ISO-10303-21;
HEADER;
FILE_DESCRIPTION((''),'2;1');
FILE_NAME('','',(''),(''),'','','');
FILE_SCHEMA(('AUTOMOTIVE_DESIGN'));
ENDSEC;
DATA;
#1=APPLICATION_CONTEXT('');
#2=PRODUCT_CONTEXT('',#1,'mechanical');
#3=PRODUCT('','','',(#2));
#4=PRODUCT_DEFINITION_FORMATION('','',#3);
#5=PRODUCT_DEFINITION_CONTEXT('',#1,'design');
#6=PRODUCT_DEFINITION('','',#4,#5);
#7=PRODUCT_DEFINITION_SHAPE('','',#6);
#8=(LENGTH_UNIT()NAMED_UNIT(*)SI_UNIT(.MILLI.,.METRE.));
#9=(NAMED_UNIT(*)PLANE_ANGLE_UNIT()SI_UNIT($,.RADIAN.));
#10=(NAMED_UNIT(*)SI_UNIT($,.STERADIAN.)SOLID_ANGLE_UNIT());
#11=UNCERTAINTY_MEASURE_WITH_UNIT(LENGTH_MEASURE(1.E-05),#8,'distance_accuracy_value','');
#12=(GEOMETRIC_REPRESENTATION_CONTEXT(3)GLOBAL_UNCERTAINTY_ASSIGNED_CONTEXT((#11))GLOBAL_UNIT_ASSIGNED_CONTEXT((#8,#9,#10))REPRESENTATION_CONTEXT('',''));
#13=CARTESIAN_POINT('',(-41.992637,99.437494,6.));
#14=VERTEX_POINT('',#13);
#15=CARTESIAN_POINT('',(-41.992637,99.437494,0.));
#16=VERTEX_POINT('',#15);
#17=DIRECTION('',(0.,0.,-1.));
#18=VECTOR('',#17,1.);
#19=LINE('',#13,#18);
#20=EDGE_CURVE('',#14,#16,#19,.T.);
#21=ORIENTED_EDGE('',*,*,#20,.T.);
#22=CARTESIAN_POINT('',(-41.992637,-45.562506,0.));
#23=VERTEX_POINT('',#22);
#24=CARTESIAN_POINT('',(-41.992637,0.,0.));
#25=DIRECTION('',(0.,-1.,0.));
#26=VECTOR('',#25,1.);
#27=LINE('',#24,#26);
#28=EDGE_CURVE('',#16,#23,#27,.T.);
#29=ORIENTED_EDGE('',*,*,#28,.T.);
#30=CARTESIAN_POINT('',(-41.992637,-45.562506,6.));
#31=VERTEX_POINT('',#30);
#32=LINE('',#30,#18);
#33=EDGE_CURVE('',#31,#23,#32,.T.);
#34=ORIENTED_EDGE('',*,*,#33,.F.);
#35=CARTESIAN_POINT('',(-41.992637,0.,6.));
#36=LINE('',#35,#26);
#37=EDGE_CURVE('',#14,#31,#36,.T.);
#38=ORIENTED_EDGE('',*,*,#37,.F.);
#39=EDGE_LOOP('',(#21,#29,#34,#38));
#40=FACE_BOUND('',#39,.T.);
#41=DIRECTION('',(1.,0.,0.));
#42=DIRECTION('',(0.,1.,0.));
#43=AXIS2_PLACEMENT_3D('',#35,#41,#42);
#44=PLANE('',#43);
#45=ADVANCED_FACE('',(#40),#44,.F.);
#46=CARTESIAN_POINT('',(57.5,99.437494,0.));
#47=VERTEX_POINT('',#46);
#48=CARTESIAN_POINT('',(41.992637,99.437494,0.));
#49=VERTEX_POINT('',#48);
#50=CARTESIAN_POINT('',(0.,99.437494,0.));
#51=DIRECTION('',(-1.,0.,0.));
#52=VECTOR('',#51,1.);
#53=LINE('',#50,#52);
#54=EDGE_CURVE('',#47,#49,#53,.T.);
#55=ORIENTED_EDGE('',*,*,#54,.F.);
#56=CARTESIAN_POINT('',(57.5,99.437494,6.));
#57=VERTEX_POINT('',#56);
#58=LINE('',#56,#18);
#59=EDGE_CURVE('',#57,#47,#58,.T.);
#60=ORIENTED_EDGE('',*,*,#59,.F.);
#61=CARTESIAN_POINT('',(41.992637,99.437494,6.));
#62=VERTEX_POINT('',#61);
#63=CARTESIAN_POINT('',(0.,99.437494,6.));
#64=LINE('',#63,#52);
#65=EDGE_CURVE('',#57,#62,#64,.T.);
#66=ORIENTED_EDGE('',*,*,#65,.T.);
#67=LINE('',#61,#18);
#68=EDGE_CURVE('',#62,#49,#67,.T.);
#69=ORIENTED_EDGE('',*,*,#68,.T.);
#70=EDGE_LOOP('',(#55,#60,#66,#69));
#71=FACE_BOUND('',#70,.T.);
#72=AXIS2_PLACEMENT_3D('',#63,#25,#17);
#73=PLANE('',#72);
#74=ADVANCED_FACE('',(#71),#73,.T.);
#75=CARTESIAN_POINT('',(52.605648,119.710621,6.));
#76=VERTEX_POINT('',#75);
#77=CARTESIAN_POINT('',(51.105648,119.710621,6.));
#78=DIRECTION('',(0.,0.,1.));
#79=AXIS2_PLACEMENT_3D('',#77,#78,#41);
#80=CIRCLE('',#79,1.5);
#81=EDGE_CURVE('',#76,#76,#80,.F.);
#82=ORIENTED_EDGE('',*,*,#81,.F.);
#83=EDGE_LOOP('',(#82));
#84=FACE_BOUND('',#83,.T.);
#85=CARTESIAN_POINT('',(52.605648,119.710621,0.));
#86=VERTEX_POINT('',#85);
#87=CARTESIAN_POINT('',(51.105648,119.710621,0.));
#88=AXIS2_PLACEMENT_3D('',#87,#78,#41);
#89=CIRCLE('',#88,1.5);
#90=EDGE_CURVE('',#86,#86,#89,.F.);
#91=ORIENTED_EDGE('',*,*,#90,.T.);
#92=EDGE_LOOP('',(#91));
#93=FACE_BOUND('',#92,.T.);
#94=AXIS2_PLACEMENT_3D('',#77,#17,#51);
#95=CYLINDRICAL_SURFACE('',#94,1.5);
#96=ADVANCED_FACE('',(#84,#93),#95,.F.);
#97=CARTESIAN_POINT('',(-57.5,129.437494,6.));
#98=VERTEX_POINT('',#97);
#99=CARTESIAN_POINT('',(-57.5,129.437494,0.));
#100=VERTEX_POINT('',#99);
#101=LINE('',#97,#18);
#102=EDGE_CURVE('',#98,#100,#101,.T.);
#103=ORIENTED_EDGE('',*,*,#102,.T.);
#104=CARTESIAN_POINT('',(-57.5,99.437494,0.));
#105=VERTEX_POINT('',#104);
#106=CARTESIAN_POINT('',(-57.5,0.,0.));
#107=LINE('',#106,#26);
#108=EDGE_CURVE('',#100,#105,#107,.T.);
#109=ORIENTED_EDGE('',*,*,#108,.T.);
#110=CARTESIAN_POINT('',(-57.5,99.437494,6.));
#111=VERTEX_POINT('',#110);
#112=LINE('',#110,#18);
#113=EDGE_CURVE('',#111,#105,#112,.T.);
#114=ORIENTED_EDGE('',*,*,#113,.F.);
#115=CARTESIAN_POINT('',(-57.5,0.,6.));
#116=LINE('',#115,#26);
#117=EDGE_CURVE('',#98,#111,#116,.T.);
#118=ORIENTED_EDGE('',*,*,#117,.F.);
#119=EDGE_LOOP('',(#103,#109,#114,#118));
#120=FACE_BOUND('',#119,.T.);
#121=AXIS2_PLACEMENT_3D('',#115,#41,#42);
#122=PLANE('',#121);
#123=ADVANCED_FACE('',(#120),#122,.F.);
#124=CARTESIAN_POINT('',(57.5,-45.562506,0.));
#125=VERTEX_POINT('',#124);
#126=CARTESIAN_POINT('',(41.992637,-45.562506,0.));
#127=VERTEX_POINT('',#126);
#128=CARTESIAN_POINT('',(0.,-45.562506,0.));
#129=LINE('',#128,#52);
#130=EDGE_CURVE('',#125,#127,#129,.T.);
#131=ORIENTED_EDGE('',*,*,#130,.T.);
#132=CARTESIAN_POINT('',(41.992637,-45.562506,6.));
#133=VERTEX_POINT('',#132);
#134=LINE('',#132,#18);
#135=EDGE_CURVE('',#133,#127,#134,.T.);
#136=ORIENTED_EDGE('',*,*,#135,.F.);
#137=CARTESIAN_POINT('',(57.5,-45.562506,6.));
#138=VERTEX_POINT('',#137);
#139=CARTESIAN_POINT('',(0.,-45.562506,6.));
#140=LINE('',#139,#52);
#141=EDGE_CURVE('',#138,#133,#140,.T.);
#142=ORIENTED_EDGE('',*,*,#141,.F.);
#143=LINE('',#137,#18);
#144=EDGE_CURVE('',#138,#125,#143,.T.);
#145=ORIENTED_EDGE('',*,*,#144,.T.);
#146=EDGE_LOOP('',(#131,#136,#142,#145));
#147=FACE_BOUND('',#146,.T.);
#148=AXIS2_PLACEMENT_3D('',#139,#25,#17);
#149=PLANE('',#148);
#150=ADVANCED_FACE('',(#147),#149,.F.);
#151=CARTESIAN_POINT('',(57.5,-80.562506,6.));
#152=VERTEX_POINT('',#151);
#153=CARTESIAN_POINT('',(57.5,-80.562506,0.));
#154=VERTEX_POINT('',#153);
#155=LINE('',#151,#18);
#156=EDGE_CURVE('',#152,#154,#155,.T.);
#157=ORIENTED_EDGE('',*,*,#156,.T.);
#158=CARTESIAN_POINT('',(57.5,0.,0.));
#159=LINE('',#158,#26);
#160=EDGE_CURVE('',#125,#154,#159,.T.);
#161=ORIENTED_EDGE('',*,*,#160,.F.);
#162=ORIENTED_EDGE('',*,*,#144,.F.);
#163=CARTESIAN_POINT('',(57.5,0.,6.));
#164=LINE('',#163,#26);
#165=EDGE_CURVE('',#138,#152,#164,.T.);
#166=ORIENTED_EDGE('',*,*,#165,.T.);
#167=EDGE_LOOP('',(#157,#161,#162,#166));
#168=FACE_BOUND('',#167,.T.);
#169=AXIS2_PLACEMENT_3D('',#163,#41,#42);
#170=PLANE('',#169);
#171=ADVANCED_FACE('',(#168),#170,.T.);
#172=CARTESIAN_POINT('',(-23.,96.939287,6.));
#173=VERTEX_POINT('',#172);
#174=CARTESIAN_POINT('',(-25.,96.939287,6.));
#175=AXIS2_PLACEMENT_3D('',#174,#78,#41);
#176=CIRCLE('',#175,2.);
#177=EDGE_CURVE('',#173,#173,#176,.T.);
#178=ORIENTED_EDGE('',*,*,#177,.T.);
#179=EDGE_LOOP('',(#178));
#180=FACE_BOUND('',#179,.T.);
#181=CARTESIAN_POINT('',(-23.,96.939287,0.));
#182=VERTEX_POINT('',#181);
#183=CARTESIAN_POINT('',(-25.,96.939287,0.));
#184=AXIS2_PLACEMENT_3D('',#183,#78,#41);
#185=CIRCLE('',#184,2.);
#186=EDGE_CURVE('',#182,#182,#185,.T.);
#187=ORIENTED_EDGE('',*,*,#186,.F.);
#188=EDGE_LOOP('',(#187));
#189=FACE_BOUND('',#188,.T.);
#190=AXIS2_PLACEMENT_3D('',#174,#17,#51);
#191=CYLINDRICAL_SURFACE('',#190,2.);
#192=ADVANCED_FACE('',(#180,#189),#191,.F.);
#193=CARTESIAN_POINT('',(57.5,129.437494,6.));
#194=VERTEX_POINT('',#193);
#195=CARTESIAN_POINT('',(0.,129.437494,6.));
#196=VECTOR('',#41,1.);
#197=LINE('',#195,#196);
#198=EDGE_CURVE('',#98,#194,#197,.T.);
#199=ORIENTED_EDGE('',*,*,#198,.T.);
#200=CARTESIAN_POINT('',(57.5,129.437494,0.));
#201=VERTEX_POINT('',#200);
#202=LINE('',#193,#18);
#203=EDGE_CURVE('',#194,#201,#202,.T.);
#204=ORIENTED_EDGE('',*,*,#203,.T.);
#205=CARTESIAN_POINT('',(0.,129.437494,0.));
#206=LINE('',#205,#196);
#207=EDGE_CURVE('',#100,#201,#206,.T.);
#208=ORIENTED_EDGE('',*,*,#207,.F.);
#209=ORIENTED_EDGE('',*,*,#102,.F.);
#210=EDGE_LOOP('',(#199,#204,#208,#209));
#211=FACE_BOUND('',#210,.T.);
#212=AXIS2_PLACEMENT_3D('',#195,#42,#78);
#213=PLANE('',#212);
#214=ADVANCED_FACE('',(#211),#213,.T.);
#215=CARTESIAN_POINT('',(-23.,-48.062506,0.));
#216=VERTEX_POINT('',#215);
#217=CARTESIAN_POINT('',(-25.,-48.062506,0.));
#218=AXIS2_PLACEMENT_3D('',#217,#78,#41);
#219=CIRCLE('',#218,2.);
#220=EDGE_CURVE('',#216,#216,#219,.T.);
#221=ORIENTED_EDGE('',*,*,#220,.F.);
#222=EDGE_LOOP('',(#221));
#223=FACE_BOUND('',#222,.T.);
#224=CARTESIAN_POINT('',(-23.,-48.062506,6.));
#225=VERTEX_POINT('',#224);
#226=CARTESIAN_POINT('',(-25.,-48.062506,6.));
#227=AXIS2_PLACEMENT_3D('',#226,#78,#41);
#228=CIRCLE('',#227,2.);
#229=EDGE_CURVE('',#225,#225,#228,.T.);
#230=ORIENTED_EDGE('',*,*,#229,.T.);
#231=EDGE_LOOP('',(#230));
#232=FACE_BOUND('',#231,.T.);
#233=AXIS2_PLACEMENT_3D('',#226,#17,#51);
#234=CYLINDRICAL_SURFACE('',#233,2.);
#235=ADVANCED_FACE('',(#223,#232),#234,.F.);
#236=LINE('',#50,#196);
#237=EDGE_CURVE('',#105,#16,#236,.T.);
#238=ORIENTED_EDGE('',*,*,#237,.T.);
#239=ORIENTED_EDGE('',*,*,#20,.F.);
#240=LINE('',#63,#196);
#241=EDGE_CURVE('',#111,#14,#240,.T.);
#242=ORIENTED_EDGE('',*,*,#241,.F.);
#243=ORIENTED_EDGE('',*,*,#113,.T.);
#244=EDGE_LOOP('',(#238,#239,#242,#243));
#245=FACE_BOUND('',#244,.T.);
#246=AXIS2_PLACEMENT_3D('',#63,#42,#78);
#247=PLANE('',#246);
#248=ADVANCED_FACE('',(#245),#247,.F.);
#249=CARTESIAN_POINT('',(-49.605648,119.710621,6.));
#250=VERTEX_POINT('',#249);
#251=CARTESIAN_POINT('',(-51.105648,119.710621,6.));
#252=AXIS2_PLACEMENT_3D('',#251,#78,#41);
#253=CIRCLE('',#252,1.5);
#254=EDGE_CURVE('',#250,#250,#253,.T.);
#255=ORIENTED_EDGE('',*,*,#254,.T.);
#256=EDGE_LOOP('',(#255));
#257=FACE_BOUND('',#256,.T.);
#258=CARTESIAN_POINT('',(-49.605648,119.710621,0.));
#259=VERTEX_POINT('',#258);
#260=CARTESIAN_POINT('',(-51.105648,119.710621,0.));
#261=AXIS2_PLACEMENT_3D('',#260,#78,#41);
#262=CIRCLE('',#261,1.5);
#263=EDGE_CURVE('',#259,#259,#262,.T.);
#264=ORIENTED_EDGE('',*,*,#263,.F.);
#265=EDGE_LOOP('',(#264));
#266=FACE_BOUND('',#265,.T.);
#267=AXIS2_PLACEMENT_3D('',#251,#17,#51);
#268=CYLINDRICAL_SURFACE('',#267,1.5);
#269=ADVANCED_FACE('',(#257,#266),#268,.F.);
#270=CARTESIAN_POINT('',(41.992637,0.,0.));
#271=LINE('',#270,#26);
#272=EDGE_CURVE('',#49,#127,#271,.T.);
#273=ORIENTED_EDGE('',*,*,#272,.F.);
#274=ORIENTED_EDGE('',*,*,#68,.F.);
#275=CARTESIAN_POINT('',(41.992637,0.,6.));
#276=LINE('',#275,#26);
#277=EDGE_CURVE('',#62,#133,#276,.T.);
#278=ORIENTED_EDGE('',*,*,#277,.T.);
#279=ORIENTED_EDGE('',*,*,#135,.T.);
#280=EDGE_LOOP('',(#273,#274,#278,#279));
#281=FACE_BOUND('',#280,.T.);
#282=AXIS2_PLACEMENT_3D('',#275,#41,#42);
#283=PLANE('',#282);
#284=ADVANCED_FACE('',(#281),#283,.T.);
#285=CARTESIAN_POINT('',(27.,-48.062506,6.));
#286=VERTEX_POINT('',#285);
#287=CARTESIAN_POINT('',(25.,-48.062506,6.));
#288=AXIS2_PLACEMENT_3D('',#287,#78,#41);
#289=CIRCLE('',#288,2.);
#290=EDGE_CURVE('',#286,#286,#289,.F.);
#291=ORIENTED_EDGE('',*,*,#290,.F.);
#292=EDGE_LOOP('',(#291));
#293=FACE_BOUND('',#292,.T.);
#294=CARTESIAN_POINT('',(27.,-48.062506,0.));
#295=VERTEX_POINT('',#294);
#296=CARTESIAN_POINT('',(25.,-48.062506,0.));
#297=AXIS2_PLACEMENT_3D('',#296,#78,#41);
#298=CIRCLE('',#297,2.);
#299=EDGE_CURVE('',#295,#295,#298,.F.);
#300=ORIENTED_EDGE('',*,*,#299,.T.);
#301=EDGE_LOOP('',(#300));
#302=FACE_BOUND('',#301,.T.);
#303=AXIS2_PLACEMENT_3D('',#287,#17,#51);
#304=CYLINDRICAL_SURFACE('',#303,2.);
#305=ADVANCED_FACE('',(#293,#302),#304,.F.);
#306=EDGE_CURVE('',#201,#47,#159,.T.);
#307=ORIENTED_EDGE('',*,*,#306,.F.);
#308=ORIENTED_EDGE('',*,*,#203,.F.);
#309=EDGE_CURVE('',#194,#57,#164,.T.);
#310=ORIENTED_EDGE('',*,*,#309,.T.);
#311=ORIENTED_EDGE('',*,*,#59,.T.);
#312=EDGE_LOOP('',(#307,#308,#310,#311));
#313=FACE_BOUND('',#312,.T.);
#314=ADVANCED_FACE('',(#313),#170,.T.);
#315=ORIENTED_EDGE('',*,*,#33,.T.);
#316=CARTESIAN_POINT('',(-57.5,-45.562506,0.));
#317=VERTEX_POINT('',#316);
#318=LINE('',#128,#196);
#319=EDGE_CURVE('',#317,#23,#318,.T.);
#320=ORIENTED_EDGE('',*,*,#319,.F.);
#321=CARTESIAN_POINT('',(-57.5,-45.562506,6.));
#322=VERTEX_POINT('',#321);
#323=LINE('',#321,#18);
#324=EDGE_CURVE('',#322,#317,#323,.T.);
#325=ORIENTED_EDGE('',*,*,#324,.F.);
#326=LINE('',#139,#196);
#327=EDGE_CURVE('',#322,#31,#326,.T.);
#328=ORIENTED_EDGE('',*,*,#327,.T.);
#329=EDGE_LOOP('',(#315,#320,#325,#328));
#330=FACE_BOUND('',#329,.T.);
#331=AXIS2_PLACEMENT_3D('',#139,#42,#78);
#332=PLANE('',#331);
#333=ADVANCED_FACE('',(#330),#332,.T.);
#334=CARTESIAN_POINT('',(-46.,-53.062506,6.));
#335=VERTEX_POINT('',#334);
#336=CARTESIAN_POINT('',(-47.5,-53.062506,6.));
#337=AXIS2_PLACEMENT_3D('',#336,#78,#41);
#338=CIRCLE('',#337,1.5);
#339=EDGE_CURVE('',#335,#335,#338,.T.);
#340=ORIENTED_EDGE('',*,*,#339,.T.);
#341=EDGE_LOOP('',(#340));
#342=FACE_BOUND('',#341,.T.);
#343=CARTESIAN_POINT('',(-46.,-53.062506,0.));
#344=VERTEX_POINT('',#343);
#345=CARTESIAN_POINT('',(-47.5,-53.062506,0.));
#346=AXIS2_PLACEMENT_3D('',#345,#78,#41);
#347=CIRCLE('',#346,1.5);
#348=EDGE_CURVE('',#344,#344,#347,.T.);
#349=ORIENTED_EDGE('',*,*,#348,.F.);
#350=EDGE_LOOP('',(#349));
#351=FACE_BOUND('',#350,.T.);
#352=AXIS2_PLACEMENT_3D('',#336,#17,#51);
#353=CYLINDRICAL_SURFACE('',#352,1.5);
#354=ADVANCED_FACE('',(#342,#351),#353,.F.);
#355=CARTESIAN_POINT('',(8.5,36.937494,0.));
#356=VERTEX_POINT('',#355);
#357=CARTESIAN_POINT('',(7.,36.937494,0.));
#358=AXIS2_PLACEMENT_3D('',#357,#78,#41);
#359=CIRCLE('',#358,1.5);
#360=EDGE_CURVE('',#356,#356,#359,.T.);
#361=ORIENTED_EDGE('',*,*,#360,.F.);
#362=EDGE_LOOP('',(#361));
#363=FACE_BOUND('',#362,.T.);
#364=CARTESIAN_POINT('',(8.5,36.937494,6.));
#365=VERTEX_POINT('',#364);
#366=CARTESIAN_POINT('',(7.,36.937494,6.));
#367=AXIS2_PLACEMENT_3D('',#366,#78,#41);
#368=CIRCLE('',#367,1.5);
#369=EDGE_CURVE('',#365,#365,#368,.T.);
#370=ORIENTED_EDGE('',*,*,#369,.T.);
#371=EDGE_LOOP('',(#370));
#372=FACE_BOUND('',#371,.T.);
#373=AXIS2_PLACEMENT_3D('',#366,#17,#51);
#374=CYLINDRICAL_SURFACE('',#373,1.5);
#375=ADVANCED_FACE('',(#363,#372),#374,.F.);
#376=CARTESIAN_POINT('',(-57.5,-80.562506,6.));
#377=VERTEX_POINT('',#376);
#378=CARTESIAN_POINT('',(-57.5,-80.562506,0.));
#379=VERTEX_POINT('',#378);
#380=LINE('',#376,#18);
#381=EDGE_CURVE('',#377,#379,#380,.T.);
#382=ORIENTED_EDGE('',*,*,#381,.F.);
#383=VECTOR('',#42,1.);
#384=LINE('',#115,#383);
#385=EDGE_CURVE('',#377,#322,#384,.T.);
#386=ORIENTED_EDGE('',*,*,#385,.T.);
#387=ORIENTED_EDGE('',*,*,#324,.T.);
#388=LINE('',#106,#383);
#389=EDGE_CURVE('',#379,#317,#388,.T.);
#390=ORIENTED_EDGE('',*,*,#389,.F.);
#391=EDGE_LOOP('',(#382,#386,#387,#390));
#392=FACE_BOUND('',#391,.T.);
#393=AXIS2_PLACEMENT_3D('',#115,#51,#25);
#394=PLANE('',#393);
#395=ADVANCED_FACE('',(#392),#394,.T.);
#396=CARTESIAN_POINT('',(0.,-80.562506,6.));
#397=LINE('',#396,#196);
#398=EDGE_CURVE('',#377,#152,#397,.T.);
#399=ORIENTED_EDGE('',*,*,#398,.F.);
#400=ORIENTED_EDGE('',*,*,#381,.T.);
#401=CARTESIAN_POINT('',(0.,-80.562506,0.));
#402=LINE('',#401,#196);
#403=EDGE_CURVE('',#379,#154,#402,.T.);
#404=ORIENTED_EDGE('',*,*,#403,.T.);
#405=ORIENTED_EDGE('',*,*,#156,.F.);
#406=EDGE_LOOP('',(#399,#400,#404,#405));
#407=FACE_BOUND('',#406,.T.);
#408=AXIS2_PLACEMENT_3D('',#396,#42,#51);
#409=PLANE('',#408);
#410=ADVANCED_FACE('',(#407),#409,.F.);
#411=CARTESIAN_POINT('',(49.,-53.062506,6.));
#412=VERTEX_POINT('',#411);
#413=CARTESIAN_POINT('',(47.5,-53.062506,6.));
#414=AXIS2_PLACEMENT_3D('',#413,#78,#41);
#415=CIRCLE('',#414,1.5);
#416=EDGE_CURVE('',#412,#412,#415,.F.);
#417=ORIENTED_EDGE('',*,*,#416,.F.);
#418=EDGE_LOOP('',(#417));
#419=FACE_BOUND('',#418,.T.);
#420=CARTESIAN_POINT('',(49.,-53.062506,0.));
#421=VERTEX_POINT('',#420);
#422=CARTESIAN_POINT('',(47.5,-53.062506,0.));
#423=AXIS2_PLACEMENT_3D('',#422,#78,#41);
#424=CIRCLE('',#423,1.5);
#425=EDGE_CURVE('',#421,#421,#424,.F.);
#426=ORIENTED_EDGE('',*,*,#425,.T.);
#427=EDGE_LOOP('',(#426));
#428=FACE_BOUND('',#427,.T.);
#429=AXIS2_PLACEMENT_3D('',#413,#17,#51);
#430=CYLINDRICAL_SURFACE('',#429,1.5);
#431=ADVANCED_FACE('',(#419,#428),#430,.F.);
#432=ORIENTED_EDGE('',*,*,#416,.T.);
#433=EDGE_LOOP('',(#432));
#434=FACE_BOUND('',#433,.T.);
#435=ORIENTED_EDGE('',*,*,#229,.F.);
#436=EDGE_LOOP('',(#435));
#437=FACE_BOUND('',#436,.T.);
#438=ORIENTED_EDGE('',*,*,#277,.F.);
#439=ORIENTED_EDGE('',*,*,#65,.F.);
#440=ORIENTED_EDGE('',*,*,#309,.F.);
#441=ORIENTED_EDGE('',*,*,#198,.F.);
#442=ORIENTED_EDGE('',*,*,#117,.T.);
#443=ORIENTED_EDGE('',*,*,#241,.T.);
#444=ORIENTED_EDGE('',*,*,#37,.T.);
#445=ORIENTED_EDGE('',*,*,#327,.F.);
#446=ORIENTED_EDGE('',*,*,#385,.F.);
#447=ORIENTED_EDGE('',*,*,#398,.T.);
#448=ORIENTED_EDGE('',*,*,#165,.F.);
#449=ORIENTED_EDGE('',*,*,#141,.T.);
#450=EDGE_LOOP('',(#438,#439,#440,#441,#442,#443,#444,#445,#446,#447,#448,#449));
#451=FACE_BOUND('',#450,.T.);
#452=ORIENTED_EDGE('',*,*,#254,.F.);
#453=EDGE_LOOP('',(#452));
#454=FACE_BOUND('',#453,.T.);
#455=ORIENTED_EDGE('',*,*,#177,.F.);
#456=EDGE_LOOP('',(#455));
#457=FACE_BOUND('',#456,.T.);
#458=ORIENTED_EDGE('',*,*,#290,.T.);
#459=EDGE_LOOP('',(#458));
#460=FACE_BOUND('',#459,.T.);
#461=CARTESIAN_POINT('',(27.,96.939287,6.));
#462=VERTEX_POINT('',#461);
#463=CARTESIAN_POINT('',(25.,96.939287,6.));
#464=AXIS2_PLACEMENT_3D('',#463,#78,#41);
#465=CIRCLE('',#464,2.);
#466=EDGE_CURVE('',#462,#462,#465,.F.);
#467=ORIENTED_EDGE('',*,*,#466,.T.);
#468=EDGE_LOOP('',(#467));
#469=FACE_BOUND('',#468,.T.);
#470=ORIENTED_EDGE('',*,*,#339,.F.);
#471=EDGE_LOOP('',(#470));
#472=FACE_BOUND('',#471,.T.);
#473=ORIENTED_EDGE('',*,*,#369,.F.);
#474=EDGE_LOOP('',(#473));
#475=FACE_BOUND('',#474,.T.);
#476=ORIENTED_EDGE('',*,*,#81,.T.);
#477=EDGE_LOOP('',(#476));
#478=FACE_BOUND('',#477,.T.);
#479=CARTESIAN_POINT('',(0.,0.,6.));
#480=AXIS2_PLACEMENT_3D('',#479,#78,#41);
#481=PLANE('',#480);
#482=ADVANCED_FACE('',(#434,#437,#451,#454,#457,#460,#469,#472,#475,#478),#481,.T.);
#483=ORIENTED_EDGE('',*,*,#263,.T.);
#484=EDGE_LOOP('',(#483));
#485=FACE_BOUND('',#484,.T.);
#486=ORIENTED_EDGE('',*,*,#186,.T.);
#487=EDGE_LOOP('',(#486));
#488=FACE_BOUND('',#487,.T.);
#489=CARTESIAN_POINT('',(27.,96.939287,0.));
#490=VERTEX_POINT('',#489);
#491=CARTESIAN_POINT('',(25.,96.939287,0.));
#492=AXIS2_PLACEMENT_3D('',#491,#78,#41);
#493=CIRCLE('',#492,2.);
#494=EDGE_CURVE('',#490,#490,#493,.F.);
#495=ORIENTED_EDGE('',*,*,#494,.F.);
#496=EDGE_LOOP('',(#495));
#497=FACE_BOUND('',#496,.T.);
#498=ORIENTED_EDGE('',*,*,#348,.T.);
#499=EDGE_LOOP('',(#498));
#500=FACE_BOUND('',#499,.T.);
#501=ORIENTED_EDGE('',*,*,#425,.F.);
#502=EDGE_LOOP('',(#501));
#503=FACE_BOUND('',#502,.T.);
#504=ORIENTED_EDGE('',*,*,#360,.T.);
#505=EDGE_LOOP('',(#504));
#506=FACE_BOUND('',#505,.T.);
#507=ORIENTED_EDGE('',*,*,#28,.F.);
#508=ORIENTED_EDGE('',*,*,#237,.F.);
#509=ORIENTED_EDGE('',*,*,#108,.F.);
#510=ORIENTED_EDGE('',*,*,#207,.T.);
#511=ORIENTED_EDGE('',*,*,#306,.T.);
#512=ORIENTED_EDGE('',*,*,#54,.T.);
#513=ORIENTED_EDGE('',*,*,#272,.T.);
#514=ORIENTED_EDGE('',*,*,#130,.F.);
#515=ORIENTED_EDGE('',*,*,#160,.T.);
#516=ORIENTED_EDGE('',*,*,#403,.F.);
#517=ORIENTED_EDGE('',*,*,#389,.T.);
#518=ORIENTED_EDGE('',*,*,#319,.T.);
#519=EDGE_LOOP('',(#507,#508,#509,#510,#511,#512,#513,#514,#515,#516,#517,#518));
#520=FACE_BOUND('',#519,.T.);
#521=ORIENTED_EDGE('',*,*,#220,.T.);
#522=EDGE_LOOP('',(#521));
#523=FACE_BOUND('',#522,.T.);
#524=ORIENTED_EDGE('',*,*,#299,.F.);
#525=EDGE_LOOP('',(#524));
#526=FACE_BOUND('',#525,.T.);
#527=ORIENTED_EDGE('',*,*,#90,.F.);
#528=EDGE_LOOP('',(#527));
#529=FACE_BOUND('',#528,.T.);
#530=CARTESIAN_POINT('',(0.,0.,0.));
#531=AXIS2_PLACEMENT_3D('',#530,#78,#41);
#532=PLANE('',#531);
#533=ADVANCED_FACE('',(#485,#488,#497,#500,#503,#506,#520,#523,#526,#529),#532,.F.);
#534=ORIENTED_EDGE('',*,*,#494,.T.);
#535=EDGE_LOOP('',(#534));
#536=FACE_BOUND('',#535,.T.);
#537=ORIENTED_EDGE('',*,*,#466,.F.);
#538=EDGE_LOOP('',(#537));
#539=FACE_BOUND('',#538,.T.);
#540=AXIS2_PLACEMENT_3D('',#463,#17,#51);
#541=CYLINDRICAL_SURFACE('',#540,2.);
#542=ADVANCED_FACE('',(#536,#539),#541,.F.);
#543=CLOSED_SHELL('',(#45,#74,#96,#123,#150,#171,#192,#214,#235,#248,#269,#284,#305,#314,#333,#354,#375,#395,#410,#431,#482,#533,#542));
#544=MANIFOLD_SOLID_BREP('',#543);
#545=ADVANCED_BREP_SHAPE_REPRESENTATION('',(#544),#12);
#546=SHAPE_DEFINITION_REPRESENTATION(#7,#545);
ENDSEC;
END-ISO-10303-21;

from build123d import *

# Parameters (mm, degrees)
SKETCH_1_R      = 1.5
SKETCH_1_R_2    = 2
EXTRUDE_1_DEPTH = 6


with BuildPart() as part:
    # Эскиз1 → Бобышка-Вытянуть1 (new body)
    with BuildSketch(Plane.XY):
        Polygon((-48.7844548, 129.437494331), (-57.5, 129.437494331), (-57.5, 112.022171177), (-57.5, 99.437494331), (-41.992637301, 99.437494331), (-41.992637301, -45.562505669), (-57.5, -45.562505669), (-57.5, -52.165920458), (-57.5, -53.062505669), (-57.5, -80.562505669), (-47.5, -80.562505669), (-25, -80.562505669), (7, -80.562505669), (57.5, -80.562505669), (57.5, -45.562505669), (41.992637301, -45.562505669), (41.992637301, 99.437494331), (57.5, 99.437494331), (57.5, 129.437494331), (-25.341365772, 129.437494331), align=None)
        with Locations((-47.5, -53.062505669)):
            Circle(SKETCH_1_R, mode=Mode.SUBTRACT)
        with Locations((-25, -48.062505669)):
            Circle(SKETCH_1_R_2, mode=Mode.SUBTRACT)
        with Locations((25, -48.062505669)):
            Circle(SKETCH_1_R_2, mode=Mode.SUBTRACT)
        with Locations((47.5, -53.062505669)):
            Circle(SKETCH_1_R, mode=Mode.SUBTRACT)
        with Locations((-51.105648031, 119.710621144)):
            Circle(SKETCH_1_R, mode=Mode.SUBTRACT)
        with Locations((-25, 96.939287159)):
            Circle(SKETCH_1_R_2, mode=Mode.SUBTRACT)
        with Locations((7, 36.937494331)):
            Circle(SKETCH_1_R, mode=Mode.SUBTRACT)
        with Locations((25, 96.939287159)):
            Circle(SKETCH_1_R_2, mode=Mode.SUBTRACT)
        with Locations((51.105648031, 119.710621144)):
            Circle(SKETCH_1_R, mode=Mode.SUBTRACT)
    extrude(amount=EXTRUDE_1_DEPTH)


solid = part.part
